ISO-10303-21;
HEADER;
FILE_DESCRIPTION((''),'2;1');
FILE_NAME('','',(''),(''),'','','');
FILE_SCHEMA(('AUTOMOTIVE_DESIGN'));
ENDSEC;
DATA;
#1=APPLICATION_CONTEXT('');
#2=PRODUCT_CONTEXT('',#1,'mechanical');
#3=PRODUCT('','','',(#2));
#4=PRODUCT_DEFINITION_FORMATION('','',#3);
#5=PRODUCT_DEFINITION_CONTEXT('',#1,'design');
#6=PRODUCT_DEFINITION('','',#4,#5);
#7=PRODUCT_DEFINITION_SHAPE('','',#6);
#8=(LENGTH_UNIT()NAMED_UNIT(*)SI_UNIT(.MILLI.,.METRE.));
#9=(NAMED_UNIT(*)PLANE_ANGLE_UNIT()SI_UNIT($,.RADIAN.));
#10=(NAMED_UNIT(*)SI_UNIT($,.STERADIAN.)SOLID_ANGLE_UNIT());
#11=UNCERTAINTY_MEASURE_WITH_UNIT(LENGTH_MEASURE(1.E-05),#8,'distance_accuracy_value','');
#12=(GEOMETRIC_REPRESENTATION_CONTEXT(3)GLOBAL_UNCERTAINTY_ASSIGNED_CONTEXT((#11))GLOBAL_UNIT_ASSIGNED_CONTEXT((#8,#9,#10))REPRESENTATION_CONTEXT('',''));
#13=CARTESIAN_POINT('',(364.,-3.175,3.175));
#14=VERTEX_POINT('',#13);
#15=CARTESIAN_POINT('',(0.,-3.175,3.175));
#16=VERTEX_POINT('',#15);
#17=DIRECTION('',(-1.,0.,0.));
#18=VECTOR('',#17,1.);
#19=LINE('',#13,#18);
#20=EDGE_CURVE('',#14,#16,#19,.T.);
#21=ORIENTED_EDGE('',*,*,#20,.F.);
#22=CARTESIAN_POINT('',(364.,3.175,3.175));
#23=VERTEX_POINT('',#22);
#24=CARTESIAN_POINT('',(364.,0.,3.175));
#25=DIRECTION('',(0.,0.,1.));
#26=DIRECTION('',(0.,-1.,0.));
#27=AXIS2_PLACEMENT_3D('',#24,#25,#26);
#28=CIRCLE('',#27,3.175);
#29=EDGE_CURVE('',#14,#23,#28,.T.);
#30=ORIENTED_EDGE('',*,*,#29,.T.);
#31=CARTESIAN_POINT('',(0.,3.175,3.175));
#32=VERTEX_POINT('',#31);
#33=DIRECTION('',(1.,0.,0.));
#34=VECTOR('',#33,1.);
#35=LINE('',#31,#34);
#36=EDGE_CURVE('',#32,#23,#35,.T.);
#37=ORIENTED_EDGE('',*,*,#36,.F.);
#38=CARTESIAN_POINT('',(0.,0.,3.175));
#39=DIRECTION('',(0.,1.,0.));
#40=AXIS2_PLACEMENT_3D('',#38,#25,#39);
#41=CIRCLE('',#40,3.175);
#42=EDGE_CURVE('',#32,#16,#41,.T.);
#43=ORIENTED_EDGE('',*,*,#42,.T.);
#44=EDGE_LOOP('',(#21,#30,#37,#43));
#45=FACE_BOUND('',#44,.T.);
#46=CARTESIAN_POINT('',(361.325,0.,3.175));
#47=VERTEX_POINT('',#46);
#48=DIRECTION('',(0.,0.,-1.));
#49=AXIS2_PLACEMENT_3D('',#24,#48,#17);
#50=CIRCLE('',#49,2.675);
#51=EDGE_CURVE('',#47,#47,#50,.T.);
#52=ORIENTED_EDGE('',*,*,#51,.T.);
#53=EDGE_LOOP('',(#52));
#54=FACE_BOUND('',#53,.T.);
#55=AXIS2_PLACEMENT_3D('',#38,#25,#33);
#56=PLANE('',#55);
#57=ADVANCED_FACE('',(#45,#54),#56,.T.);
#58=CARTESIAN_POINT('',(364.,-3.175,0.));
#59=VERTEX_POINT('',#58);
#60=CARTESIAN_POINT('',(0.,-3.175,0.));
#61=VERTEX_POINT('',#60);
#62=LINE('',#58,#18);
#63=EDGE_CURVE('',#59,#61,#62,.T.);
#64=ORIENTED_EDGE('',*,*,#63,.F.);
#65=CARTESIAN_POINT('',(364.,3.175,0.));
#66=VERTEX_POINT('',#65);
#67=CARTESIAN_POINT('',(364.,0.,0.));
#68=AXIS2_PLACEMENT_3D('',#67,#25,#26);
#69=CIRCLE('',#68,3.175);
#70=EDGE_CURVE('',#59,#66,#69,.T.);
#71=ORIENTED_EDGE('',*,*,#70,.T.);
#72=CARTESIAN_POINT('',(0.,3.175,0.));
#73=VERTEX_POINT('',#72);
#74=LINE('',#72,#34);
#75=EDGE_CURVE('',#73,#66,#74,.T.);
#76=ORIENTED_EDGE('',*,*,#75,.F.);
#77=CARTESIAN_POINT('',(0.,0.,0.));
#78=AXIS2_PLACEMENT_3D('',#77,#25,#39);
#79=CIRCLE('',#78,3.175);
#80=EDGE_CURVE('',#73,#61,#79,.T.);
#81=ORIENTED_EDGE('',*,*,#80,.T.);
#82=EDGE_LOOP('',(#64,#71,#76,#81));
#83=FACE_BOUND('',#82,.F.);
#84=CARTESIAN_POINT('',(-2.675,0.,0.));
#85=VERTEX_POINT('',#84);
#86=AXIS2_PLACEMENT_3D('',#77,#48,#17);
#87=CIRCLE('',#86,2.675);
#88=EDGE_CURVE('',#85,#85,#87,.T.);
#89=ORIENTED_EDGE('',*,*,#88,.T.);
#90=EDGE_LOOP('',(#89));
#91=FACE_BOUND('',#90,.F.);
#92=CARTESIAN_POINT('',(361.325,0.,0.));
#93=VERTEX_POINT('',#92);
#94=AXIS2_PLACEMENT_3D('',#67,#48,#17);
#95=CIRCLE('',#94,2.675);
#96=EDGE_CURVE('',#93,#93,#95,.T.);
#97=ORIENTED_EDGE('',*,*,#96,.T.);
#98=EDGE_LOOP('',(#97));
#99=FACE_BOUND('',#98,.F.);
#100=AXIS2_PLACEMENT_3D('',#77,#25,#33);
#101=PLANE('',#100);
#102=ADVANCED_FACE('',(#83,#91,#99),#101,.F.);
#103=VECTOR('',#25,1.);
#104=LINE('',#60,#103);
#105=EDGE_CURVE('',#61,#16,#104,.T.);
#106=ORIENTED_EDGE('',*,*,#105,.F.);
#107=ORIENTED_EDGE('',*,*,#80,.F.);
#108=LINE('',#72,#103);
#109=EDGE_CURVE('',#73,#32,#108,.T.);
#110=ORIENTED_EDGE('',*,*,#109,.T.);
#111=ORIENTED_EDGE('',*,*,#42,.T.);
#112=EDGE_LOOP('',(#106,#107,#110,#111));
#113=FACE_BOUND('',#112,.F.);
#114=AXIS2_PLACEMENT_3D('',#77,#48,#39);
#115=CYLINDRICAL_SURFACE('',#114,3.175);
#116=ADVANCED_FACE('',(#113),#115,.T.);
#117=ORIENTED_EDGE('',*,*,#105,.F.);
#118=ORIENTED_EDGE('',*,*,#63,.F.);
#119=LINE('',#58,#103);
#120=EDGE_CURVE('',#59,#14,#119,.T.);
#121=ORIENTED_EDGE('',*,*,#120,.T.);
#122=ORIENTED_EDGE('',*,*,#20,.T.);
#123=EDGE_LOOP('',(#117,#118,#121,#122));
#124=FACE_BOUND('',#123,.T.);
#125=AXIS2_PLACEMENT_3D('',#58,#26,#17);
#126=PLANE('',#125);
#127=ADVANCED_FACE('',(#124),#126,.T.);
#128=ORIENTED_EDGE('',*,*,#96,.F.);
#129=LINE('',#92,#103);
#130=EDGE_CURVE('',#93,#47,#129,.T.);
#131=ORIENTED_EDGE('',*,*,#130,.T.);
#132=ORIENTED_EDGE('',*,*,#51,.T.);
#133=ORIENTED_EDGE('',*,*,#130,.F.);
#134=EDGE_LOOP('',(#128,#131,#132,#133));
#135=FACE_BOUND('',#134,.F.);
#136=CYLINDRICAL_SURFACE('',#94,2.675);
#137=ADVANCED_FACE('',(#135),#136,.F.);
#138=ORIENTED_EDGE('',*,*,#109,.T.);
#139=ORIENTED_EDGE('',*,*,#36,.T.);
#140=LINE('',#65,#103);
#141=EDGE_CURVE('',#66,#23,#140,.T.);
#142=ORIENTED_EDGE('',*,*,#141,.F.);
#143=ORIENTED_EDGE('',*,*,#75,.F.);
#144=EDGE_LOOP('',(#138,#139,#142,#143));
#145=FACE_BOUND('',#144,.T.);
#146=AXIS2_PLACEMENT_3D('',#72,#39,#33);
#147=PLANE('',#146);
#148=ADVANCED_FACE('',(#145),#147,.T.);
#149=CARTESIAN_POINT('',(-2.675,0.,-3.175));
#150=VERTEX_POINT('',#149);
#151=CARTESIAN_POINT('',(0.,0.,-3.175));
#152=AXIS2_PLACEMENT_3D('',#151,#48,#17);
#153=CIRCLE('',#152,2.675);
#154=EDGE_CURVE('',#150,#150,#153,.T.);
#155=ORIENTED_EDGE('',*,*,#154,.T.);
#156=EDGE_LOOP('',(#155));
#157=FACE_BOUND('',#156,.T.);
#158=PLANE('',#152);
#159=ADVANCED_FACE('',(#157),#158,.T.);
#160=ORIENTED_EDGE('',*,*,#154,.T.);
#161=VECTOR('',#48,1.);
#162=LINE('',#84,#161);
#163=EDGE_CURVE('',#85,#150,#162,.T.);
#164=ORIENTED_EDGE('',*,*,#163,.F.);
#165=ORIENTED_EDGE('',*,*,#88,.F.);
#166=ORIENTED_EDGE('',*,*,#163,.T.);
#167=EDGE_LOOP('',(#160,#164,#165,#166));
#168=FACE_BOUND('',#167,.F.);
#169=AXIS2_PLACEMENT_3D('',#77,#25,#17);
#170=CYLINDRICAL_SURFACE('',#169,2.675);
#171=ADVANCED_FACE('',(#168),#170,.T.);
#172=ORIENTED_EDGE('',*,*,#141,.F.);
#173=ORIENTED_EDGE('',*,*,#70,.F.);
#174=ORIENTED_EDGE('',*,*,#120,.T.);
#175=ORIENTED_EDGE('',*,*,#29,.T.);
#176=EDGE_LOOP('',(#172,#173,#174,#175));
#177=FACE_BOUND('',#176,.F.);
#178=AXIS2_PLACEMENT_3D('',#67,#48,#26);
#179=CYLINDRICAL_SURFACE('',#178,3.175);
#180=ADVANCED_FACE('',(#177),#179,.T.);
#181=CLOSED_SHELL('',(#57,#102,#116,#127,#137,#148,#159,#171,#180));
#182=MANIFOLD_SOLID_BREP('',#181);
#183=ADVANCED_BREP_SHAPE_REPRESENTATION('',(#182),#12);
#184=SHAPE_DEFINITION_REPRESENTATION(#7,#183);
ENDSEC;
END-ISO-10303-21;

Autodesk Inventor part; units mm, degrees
ref_plane "YZ Plane" through (0, 0, 0) normal (1, 0, 0) x (0, 1, 0)
ref_plane "XZ Plane" through (0, 0, 0) normal (0, 1, 0) x (-1, 0, 0)
ref_plane "XY Plane" through (0, 0, 0) normal (0, 0, 1) x (1, 0, 0)
sketch "Boceto1" plane through (0, 0, 0) normal (0, 0, 1) x (1, 0, 0)
  arc A0 (0, 3.175) -> (0, -3.175) centre (0, 0) ccw
  line L0 (360.825, 0) -> (364, 0)
  arc A1 (364, -3.175) -> (364, 3.175) centre (364, 0) ccw
  line L1 (0, 3.175) -> (364, 3.175)
  line L2 (364, -3.175) -> (0, -3.175)
  dimension "d0" = 6.35
  dimension "d1" = 364
  dimension "d2" = 6.35
extrude "Extrusión1" add sketch "Boceto1" along normal blind 3.175
sketch "Boceto2" plane through (0, 0, 0) normal (0, 0, -1) x (-1, 0, 0)
  circle A0 centre (0, 0) radius 2.675
  dimension "d5" = 5.35
extrude "Extrusión2" add sketch "Boceto2" along normal blind 3.175
sketch "Boceto3" plane through (0, 0, 0) normal (0, 0, -1) x (-1, 0, 0)
  arc A0 (-364, 3.175) -> (-364, -3.175) centre (-364, 0) ccw projected
  circle A1 centre (-364, 0) radius 2.675
  point P0 (0, 0)
  dimension "d8" = 5.35
extrude "Extrusión3" cut sketch "Boceto3" against normal blind 3.175
properties part number "eslasbon_2" material "Plástico ABS"
